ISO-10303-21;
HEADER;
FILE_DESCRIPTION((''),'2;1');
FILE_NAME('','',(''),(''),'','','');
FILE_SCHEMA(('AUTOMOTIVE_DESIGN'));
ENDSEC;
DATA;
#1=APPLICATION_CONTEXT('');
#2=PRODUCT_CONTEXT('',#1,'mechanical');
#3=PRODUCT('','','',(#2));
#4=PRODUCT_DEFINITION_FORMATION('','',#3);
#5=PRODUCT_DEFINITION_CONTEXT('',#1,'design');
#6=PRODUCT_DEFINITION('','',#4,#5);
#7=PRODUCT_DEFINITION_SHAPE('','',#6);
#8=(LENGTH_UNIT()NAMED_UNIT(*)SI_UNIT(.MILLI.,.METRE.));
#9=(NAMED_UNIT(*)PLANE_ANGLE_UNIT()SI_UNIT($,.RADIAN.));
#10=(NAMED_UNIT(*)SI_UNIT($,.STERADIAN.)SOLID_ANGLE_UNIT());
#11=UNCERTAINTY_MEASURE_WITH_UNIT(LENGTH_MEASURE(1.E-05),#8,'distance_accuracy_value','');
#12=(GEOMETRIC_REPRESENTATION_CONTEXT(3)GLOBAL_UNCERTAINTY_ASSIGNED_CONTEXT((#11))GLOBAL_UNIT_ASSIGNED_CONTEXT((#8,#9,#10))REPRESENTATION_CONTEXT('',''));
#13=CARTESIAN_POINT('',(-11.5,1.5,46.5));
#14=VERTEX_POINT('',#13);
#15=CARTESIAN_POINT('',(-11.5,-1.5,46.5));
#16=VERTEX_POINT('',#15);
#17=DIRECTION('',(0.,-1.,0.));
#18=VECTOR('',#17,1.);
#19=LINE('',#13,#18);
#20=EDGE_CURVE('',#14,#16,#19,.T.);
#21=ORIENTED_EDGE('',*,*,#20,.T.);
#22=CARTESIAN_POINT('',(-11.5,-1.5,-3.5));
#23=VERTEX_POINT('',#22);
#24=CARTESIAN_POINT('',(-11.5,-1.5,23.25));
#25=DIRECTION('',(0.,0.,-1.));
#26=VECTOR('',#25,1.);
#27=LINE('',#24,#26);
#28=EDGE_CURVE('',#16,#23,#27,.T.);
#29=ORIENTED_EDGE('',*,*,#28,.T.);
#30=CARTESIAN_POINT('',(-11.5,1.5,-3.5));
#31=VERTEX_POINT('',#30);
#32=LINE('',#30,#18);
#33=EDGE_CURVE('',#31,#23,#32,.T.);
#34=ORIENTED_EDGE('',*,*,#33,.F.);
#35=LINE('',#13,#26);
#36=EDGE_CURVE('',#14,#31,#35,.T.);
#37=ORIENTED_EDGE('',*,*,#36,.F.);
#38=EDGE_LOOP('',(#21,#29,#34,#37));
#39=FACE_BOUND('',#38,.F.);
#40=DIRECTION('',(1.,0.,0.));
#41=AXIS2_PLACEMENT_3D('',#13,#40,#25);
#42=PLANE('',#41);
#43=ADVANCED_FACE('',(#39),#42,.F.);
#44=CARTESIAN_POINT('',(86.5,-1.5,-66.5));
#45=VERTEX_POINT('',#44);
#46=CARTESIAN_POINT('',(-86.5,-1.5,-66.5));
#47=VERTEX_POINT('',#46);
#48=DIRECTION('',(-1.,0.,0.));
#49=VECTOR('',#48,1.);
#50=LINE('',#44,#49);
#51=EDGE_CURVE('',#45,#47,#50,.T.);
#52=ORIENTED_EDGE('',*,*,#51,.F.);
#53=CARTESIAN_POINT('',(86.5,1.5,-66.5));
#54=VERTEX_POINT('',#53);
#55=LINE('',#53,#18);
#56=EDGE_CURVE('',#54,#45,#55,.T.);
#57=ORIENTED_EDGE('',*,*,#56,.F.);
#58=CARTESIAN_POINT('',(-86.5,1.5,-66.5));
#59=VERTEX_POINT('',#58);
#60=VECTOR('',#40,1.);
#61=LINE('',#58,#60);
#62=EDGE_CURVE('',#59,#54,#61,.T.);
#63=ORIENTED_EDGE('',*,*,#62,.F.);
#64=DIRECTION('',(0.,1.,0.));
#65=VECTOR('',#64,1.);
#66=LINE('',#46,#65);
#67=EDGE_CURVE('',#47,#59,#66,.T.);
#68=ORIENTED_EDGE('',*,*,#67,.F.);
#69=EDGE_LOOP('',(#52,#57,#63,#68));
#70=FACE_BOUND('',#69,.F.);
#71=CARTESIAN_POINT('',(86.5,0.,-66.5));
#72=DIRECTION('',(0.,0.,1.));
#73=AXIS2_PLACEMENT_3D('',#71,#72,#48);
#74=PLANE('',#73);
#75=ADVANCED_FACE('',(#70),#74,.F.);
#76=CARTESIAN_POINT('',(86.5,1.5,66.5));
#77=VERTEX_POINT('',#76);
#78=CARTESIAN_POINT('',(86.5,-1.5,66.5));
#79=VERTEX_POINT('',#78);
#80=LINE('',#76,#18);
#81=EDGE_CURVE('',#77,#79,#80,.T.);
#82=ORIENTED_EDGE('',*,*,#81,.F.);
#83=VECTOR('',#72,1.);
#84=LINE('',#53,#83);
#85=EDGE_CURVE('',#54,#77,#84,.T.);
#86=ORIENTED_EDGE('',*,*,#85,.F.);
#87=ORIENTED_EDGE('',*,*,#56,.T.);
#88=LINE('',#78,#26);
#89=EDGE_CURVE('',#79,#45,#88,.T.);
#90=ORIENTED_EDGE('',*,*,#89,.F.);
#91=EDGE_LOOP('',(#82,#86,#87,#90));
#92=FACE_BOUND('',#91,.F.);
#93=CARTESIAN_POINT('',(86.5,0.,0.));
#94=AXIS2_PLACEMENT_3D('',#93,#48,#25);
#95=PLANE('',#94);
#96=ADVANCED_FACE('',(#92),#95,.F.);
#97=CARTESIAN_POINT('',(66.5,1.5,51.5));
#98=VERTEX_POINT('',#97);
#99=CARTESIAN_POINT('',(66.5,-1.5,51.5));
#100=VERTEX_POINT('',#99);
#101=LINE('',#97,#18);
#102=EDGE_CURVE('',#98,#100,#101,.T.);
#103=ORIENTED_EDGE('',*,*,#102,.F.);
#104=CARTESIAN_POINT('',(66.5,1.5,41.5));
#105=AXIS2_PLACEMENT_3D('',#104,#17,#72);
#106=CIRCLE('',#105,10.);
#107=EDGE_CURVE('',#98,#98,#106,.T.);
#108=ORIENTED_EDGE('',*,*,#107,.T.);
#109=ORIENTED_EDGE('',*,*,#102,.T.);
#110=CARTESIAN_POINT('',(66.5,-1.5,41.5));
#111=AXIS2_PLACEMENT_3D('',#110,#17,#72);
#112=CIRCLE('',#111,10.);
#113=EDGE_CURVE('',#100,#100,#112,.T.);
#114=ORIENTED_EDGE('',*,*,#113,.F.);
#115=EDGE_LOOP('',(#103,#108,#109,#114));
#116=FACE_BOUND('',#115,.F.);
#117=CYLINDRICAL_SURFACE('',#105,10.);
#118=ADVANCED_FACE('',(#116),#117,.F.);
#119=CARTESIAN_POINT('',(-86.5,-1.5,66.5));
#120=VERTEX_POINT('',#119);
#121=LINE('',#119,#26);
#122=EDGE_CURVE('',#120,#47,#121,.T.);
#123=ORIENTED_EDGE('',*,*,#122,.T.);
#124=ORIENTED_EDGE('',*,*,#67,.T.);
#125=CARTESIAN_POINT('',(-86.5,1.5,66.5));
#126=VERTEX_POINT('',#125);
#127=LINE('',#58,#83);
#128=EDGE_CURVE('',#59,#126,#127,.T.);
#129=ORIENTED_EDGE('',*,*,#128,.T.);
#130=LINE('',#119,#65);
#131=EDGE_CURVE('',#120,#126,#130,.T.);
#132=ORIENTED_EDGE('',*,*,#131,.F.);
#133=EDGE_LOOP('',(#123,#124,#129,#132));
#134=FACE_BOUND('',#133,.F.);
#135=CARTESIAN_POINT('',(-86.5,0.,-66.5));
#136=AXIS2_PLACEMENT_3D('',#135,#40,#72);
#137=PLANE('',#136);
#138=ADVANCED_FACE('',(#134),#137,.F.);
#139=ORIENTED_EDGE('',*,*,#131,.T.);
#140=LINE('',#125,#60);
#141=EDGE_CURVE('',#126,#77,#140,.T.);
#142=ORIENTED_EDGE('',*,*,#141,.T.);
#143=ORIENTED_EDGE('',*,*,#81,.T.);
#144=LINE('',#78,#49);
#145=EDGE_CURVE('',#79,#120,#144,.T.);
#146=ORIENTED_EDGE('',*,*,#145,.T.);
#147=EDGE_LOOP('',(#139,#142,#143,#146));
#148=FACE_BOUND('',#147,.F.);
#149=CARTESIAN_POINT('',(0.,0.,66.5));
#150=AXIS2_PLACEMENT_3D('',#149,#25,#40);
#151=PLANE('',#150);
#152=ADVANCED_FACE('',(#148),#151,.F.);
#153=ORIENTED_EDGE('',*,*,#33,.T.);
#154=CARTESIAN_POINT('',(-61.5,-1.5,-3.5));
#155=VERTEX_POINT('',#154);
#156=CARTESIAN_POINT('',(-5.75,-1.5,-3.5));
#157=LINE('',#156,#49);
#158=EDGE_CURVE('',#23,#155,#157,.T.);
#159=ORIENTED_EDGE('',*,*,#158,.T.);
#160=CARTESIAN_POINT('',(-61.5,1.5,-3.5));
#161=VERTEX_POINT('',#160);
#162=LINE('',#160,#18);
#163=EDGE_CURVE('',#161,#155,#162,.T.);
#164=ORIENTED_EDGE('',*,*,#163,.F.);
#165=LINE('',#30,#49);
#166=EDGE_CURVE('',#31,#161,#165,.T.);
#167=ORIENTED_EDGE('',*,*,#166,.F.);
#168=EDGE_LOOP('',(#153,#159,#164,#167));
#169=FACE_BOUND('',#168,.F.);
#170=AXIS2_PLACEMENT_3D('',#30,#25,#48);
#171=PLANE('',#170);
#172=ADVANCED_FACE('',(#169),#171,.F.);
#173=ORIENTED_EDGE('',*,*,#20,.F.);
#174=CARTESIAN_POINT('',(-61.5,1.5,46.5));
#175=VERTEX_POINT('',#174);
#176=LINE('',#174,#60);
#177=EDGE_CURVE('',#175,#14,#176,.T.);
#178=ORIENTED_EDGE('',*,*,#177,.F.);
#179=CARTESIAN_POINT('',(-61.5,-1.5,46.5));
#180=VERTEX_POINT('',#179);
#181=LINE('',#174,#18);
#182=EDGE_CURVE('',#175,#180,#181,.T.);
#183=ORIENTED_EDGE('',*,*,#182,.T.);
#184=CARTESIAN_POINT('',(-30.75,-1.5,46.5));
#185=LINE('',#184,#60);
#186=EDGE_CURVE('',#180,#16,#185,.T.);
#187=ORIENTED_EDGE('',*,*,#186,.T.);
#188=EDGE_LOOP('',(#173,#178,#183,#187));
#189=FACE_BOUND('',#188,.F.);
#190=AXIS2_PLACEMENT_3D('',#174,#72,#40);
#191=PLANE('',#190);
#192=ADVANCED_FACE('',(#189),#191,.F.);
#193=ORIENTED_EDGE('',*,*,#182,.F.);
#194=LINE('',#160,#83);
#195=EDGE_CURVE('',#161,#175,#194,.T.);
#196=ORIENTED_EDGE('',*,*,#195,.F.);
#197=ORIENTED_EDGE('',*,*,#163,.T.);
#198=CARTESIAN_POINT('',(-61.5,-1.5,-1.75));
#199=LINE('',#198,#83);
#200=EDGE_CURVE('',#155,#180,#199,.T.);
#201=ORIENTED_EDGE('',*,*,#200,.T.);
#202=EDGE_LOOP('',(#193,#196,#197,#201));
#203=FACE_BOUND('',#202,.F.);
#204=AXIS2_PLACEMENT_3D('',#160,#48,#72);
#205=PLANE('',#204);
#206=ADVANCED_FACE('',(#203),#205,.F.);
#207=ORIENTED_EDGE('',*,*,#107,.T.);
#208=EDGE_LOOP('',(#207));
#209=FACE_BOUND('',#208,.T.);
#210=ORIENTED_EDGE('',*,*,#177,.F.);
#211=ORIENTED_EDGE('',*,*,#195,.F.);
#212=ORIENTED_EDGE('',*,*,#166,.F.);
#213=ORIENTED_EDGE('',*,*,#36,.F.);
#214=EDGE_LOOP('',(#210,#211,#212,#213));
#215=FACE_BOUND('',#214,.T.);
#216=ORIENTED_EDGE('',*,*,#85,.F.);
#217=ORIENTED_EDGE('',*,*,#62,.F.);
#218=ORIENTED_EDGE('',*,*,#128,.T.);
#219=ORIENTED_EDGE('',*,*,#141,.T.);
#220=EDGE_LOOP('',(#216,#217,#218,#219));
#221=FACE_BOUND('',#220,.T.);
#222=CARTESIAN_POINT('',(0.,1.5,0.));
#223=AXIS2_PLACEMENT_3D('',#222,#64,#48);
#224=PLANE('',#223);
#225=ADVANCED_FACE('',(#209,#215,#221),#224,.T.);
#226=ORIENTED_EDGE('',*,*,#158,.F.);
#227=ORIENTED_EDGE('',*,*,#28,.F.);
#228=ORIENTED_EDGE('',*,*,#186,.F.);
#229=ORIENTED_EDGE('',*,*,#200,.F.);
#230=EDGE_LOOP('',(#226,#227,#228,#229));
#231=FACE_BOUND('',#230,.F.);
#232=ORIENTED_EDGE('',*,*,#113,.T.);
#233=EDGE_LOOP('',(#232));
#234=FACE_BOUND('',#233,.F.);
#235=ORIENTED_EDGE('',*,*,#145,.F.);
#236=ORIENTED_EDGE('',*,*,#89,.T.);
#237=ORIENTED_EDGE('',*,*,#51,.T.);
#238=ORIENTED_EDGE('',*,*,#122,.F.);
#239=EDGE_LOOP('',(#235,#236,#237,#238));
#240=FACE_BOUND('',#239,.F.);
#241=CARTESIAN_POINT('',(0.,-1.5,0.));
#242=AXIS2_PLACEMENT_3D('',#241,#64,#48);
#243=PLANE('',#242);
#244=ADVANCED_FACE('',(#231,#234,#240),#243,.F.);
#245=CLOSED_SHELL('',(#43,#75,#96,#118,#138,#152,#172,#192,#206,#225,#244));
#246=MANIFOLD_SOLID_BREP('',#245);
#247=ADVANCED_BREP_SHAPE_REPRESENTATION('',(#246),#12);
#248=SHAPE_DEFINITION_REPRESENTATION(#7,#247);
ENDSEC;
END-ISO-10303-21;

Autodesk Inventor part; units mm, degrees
ref_plane "YZ Plane" through (0, 0, 0) normal (1, 0, 0) x (0, 1, 0)
ref_plane "XZ Plane" through (0, 0, 0) normal (0, 1, 0) x (-1, 0, 0)
ref_plane "XY Plane" through (0, 0, 0) normal (0, 0, 1) x (1, 0, 0)
sketch "Náčrt1" plane through (0, 0, 0) normal (0, 1, 0) x (-1, 0, 0)
  line L0 (0, -93.1) -> (0, 93.1) projected
  line L1 (-121.1, 0) -> (121.1, 0) projected
  line L2 (86.5, 66.5) -> (-86.5, 66.5)
  line L3 (-86.5, 66.5) -> (-86.5, -66.5)
  line L4 (-86.5, -66.5) -> (86.5, -66.5)
  line L5 (86.5, -66.5) -> (86.5, 66.5)
  point P0 (0, 0)
  dimension "d0" = 133
  dimension "d1" = 173
extrude "Vysunutí1" add sketch "Náčrt1" along normal mid plane 3
sketch "Náčrt2" plane through (0, 1.5, 0) normal (0, 1, 0) x (1, 0, 0)
  line L0 (-61.5, -46.5) -> (-11.5, -46.5)
  line L1 (-11.5, -46.5) -> (-11.5, 3.5)
  line L2 (-11.5, 3.5) -> (-61.5, 3.5)
  line L3 (-61.5, 3.5) -> (-61.5, -46.5)
  line L4 (-86.5, -66.5) -> (86.5, -66.5) projected
  line L5 (-86.5, 66.5) -> (-86.5, -66.5) projected
  point P0 (0, 0)
  dimension "d4" = 50
  dimension "d5" = 50
  dimension "d12" = 25
  dimension "d13" = 20
extrude "Vysunutí3" cut sketch "Náčrt2" against normal through all
sketch "Náčrt3" plane through (0, 1.5, 0) normal (0, 1, 0) x (1, 0, 0)
  line L0 (-86.5, -66.5) -> (86.5, -66.5) projected
  line L1 (86.5, -66.5) -> (86.5, 66.5) projected
  point P0 (0, 0)
  point P1 (66.5, -41.5)
  dimension "d19" = 20
  dimension "d20" = 25
hole "Díra1" at (66.5, 1.5, 41.5) direction (0, -1, 0) diameter 20 end through all
properties part number "Cabinet - left"
